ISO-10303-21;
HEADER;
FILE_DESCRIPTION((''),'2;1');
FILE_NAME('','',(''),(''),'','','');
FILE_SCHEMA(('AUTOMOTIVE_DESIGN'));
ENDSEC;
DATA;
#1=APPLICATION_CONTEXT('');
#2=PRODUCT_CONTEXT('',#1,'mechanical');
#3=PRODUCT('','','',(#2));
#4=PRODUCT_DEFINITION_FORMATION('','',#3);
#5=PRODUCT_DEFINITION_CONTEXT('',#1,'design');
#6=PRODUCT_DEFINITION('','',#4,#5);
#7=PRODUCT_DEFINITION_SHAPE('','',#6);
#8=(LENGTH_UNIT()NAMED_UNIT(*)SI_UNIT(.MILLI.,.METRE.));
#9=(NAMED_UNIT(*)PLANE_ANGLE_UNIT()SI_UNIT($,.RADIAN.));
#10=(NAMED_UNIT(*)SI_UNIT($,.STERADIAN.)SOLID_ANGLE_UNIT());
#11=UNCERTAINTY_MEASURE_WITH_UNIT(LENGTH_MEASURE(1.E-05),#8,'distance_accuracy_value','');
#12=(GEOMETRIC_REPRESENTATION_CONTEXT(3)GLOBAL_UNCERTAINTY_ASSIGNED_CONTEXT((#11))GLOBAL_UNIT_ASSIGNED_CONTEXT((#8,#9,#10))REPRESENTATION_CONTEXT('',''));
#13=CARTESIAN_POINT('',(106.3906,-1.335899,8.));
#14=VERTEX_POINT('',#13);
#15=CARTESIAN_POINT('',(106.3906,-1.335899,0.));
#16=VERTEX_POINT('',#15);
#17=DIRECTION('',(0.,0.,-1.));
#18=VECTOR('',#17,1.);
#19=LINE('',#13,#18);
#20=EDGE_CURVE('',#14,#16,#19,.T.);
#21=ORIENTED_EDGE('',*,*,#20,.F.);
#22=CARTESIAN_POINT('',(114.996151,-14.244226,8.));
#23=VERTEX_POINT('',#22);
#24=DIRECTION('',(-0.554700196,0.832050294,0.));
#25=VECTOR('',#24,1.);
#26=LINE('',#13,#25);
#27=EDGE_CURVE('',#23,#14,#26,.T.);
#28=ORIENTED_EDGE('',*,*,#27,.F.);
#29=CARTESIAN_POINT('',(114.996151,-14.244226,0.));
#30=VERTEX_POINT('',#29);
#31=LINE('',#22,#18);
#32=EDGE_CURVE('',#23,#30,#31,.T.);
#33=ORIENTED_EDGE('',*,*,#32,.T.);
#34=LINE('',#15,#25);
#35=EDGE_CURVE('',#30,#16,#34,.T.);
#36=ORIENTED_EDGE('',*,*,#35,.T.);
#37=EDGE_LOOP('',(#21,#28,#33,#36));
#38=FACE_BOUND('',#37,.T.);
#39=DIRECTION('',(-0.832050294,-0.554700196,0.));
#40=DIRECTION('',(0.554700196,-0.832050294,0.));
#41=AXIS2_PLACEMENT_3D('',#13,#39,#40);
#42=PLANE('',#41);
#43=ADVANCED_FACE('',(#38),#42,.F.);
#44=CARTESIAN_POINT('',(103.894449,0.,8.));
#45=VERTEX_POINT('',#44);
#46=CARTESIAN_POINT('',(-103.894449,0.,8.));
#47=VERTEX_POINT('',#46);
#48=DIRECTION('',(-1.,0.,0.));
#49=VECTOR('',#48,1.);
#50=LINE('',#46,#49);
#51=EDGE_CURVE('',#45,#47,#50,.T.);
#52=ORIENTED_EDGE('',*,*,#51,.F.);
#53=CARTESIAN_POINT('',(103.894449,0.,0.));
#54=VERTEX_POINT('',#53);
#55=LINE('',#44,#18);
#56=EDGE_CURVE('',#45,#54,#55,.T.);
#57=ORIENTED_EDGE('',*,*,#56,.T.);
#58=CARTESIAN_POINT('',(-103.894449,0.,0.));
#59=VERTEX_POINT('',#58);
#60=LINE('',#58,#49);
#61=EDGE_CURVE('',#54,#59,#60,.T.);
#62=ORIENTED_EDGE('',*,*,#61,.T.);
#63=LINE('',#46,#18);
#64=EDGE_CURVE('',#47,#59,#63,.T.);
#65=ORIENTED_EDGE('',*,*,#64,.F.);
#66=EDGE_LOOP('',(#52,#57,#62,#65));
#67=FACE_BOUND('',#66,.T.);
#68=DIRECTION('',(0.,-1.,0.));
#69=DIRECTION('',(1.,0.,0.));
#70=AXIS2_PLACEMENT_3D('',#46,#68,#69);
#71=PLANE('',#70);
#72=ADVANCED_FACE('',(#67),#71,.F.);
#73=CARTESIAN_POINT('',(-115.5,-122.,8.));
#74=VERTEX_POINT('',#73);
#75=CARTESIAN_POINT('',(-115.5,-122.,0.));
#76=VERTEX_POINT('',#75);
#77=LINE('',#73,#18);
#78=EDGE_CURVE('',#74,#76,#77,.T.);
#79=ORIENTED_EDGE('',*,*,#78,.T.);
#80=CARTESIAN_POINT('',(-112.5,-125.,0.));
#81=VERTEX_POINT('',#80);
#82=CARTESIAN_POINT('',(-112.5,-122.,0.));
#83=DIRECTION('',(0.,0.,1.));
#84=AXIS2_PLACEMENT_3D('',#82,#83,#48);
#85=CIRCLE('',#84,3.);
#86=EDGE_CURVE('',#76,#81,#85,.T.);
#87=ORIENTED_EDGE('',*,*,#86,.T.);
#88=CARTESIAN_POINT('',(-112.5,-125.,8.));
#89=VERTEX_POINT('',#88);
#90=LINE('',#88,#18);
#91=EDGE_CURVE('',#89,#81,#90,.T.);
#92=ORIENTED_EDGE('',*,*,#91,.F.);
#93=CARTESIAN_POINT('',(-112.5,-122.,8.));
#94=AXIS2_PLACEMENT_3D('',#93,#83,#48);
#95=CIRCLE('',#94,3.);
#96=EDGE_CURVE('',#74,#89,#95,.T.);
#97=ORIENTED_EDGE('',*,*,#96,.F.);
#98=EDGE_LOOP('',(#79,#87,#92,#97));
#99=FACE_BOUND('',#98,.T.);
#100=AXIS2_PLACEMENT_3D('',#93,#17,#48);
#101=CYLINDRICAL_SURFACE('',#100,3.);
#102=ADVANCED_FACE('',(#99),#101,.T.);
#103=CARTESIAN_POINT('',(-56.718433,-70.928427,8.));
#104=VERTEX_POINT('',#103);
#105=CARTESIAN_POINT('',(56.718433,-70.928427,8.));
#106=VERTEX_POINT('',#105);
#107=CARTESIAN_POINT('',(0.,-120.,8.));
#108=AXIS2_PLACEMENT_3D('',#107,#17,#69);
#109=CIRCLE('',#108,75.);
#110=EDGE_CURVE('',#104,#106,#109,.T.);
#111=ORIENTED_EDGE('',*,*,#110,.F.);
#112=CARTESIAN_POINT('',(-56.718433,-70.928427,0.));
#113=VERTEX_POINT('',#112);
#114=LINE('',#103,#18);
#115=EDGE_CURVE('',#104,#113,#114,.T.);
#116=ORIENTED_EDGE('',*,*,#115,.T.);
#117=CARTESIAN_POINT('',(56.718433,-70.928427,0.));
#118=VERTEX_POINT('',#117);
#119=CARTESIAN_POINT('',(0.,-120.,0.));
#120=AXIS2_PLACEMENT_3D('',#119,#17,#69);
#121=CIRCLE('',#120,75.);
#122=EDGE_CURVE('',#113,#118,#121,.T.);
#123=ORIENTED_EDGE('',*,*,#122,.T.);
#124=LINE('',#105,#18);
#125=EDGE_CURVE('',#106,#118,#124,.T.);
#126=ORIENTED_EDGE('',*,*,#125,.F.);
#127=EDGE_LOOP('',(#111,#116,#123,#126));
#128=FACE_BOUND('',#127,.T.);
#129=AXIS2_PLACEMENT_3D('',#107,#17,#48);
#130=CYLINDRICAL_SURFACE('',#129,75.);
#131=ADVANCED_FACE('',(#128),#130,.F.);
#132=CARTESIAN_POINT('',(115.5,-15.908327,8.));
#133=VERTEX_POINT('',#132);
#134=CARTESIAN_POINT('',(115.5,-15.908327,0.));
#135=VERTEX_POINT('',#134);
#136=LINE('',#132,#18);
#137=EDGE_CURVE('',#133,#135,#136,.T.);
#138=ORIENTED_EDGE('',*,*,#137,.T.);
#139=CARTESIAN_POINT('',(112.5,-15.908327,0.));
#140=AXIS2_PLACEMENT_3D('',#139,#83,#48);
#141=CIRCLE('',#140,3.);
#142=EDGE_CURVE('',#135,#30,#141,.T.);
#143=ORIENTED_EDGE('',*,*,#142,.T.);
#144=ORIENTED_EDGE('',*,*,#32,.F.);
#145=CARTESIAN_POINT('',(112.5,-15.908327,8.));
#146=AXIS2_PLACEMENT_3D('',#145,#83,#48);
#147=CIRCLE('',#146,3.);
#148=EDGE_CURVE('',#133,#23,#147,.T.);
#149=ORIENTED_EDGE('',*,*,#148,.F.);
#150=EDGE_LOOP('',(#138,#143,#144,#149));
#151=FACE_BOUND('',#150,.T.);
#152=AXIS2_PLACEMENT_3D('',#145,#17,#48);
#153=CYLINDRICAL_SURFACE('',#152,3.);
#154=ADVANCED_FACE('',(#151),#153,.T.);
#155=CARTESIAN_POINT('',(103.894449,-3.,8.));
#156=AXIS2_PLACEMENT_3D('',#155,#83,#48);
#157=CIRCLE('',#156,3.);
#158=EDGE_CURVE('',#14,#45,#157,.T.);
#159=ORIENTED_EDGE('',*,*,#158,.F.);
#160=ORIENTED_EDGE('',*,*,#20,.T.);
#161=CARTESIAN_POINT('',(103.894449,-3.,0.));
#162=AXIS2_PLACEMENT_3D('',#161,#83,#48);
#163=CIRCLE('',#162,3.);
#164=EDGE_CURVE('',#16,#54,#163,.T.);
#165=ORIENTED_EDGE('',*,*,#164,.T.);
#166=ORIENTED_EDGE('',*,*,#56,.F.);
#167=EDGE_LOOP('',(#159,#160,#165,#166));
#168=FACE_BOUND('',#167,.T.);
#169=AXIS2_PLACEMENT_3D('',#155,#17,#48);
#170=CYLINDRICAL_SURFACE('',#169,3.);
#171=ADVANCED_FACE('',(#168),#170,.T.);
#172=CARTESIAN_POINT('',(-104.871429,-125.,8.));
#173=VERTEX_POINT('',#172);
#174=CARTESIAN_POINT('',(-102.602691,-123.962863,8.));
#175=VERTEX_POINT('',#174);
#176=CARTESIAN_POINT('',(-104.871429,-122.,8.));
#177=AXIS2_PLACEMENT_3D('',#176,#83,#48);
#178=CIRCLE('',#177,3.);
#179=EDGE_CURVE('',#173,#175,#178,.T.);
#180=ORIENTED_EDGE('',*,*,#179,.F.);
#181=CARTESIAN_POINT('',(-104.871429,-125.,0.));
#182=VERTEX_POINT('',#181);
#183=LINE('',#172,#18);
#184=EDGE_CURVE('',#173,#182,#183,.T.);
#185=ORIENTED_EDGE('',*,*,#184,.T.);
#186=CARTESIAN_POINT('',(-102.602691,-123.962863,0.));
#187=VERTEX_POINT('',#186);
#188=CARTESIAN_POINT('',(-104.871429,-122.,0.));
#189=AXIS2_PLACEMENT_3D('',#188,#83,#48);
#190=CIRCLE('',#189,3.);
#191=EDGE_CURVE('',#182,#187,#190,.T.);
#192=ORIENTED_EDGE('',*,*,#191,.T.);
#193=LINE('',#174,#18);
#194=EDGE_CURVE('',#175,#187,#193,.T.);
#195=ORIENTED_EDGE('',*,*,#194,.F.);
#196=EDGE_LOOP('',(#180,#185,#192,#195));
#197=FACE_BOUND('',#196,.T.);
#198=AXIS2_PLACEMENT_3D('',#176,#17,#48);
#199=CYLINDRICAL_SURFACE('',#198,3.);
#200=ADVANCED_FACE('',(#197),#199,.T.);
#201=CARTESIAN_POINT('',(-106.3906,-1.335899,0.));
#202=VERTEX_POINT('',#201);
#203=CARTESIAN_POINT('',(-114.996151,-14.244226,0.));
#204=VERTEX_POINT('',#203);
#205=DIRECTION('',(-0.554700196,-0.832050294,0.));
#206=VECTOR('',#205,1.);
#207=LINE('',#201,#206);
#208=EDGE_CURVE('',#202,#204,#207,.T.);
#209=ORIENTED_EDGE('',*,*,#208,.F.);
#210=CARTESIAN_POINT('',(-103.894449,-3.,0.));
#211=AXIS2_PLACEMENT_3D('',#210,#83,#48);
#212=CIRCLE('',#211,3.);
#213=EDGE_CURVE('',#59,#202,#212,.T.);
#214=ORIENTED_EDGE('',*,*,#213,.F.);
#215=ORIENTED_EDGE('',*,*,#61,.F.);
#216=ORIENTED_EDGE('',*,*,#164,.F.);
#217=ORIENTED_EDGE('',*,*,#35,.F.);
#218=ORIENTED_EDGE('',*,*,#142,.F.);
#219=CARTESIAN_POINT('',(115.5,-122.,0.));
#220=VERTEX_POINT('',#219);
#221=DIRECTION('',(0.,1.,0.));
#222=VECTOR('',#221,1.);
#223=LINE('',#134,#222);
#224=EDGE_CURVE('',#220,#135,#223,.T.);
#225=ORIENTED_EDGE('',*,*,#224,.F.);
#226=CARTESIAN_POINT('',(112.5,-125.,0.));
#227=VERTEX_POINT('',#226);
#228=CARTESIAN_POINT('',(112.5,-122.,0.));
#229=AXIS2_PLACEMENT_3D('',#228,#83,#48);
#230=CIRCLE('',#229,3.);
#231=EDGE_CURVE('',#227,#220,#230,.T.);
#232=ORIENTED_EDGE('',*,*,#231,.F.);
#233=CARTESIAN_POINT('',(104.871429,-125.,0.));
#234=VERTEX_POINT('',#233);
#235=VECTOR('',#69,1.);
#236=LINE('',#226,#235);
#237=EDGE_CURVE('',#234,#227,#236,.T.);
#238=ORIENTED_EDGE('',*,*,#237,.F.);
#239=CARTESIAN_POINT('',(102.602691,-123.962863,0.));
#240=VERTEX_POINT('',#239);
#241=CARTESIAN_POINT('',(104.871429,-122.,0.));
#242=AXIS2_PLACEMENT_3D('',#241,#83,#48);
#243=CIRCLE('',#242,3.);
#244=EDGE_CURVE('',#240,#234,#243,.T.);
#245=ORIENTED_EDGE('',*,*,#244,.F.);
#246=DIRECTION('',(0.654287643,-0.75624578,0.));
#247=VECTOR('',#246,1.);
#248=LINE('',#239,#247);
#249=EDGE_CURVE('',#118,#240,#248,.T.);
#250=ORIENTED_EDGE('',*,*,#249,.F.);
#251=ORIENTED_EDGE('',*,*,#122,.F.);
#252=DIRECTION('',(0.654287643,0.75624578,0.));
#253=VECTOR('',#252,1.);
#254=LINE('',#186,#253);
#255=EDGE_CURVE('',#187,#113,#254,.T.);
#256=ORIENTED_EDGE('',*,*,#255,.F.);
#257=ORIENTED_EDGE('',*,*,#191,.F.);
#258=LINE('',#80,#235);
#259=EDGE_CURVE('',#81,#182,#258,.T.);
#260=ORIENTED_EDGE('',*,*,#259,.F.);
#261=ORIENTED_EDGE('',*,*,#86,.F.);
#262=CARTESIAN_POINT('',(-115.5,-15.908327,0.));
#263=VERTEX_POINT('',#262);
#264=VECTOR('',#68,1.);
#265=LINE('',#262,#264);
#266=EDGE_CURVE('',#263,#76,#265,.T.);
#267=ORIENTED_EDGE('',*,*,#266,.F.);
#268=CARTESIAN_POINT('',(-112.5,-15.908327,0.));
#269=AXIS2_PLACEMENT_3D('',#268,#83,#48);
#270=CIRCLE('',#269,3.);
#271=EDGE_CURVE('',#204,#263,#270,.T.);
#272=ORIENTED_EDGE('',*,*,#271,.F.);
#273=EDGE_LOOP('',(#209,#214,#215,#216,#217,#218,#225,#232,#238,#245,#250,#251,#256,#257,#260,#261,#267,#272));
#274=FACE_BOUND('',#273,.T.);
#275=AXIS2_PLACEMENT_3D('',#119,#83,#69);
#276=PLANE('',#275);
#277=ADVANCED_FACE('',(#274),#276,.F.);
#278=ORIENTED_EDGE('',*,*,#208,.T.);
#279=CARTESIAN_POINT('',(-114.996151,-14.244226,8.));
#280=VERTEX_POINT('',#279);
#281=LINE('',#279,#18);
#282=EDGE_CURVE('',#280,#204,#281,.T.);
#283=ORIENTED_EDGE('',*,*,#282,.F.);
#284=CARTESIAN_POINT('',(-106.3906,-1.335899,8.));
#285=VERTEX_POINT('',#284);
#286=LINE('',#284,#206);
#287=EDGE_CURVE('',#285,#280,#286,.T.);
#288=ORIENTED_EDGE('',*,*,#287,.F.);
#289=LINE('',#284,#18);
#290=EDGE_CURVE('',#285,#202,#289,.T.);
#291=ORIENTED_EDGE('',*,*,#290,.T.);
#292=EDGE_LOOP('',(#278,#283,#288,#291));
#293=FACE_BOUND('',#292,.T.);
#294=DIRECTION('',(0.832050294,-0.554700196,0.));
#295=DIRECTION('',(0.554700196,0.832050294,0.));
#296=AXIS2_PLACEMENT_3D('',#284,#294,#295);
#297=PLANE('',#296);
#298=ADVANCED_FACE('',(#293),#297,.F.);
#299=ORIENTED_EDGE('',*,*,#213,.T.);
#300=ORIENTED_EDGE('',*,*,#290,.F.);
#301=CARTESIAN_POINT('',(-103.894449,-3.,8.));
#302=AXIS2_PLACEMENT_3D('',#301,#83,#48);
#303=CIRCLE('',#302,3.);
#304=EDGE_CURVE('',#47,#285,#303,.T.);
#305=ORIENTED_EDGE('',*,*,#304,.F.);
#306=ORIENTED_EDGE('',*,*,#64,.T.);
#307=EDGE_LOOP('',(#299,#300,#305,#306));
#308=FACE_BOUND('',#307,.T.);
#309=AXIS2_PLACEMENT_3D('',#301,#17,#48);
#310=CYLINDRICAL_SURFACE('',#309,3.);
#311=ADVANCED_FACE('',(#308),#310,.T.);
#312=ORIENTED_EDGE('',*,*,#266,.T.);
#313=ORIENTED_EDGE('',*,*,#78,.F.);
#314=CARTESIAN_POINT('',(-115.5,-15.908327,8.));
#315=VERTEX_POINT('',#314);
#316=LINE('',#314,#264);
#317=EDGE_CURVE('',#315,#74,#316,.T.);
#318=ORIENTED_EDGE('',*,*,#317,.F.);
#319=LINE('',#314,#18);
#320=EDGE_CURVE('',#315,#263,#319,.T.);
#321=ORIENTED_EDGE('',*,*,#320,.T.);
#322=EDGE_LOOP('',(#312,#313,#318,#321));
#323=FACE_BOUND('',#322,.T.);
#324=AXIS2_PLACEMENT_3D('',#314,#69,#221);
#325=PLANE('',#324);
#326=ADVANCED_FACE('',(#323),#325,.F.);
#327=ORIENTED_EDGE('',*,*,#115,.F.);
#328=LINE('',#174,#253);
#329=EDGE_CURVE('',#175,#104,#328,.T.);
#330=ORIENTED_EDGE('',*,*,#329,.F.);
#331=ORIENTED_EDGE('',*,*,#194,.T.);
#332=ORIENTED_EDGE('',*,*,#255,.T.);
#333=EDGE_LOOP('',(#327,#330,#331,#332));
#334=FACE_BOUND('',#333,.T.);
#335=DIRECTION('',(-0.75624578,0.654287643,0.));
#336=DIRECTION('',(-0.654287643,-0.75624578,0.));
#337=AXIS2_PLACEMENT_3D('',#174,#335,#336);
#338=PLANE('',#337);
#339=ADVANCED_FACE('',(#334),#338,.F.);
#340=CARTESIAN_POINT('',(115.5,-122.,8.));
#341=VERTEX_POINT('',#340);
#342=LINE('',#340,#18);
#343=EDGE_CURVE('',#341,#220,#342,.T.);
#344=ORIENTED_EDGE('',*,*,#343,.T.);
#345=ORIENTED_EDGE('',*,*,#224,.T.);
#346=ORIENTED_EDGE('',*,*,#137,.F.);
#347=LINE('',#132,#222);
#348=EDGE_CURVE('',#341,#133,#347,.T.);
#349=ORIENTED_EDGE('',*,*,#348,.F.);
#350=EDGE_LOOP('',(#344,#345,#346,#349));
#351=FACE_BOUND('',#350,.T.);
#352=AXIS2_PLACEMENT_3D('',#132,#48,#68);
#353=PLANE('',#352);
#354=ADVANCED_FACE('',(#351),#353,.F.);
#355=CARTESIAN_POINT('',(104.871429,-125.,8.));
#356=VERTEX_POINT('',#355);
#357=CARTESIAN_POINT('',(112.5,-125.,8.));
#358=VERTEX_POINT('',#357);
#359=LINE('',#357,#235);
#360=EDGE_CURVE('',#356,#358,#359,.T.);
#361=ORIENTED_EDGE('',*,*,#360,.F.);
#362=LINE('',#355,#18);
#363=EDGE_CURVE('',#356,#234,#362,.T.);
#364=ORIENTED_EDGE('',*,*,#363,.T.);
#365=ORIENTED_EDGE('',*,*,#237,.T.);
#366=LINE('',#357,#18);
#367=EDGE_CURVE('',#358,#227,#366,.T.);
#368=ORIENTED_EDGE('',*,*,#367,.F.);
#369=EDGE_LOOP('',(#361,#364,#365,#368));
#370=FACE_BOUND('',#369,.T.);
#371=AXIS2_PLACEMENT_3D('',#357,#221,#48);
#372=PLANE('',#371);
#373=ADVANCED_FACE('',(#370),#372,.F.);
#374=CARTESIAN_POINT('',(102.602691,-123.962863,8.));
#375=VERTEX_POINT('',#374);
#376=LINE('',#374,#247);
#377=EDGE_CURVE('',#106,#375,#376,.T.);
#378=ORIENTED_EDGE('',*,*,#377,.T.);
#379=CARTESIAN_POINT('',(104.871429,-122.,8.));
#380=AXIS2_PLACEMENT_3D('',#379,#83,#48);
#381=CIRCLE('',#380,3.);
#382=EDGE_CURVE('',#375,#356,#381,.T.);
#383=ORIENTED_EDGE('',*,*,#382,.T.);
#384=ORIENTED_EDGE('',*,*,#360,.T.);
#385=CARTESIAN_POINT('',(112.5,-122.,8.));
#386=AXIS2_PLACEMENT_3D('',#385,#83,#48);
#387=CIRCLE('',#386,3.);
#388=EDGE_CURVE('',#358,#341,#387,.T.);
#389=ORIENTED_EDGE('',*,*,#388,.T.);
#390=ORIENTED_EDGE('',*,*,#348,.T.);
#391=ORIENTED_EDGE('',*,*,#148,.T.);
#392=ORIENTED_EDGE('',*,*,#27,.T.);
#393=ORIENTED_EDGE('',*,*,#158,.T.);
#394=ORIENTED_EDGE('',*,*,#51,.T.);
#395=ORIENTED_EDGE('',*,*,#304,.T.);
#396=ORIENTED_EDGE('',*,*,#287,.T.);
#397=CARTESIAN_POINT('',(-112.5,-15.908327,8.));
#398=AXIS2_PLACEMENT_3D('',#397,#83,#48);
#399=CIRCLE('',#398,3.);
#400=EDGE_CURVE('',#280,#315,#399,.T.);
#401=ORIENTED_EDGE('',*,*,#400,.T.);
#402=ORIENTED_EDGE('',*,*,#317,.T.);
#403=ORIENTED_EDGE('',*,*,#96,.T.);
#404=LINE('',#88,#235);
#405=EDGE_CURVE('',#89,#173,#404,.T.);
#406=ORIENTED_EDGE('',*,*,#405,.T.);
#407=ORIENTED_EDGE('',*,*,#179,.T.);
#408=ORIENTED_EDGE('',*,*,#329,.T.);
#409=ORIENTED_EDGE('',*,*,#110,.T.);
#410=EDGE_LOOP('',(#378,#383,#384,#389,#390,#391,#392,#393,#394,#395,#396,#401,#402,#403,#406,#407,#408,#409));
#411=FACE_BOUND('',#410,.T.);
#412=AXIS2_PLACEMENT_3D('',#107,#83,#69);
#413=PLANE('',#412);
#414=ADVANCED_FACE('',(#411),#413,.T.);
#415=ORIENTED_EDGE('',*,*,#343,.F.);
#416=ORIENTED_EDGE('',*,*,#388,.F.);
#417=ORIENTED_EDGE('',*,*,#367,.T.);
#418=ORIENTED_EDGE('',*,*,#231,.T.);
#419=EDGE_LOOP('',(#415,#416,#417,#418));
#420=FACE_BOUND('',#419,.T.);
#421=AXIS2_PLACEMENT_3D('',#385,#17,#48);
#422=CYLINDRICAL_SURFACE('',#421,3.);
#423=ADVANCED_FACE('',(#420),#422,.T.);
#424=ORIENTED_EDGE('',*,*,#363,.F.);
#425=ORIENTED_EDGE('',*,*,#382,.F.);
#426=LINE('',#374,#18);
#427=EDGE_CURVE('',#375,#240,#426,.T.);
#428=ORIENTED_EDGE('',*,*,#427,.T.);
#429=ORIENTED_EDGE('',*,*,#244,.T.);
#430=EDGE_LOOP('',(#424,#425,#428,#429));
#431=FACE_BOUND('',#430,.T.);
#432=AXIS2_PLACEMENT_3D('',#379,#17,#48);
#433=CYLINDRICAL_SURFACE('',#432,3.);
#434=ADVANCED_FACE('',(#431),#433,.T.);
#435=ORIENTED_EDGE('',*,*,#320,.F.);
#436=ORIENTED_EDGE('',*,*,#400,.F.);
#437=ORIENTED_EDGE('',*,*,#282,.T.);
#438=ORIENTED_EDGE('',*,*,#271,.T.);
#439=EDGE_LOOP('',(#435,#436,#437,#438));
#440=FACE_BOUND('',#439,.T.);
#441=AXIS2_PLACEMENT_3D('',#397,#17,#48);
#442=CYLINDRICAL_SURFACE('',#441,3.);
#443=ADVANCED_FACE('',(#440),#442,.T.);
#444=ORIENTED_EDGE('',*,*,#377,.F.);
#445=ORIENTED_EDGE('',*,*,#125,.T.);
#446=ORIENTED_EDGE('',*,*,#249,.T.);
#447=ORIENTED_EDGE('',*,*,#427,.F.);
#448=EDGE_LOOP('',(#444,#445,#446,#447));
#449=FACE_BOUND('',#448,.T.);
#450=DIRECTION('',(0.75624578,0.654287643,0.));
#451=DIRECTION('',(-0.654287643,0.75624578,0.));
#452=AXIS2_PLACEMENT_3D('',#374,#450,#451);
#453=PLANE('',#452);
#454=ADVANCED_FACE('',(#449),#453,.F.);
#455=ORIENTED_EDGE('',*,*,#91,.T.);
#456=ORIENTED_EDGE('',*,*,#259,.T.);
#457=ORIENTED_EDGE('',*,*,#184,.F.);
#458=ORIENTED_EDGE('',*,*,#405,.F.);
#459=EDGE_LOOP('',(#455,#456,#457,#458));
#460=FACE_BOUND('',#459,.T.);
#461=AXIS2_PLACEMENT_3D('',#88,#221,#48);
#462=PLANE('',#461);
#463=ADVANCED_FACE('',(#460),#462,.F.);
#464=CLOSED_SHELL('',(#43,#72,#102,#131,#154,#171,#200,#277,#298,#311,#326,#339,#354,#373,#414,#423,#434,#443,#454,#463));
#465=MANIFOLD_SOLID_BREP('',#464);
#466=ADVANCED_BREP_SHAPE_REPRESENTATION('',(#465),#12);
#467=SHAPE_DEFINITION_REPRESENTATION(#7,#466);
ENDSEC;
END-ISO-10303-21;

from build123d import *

# Parameters (mm, degrees)
EXTRUDE1_DEPTH = 8


with BuildPart() as part:
    # Sketch1 → Extrude1 (new body)
    with BuildSketch(Plane.XY):
        with BuildLine():
            Line((-103.894448725, 0), (103.894448725, 0))
            ThreePointArc((103.894448725, 0), (105.310022501, -0.354976204), (106.390599608, -1.335899411))
            Line((106.390599608, -1.335899411), (114.996150883, -14.244226325))
            ThreePointArc((114.996150883, -14.244226325), (115.371276079, -15.038974467), (115.5, -15.908326913))
            Line((115.5, -15.908326913), (115.5, -122))
            ThreePointArc((115.5, -122), (114.621320344, -124.121320344), (112.5, -125))
            Line((112.5, -125), (104.871428571, -125))
            ThreePointArc((104.871428571, -125), (103.624149291, -124.728423427), (102.602691232, -123.96286293))
            Line((102.602691232, -123.96286293), (56.718433491, -70.928426739))
            ThreePointArc((56.718433491, -70.928426739), (0, -45), (-56.718433491, -70.928426739))
            Line((-56.718433491, -70.928426739), (-102.602691232, -123.96286293))
            ThreePointArc((-102.602691232, -123.96286293), (-103.624149291, -124.728423427), (-104.871428571, -125))
            Line((-104.871428571, -125), (-112.5, -125))
            ThreePointArc((-112.5, -125), (-114.621320344, -124.121320344), (-115.5, -122))
            Line((-115.5, -122), (-115.5, -15.908326913))
            ThreePointArc((-115.5, -15.908326913), (-115.371276079, -15.038974467), (-114.996150883, -14.244226325))
            Line((-114.996150883, -14.244226325), (-106.390599608, -1.335899411))
            ThreePointArc((-106.390599608, -1.335899411), (-105.310022501, -0.354976204), (-103.894448725, 0))
        make_face()
    extrude(amount=EXTRUDE1_DEPTH)


solid = part.part
